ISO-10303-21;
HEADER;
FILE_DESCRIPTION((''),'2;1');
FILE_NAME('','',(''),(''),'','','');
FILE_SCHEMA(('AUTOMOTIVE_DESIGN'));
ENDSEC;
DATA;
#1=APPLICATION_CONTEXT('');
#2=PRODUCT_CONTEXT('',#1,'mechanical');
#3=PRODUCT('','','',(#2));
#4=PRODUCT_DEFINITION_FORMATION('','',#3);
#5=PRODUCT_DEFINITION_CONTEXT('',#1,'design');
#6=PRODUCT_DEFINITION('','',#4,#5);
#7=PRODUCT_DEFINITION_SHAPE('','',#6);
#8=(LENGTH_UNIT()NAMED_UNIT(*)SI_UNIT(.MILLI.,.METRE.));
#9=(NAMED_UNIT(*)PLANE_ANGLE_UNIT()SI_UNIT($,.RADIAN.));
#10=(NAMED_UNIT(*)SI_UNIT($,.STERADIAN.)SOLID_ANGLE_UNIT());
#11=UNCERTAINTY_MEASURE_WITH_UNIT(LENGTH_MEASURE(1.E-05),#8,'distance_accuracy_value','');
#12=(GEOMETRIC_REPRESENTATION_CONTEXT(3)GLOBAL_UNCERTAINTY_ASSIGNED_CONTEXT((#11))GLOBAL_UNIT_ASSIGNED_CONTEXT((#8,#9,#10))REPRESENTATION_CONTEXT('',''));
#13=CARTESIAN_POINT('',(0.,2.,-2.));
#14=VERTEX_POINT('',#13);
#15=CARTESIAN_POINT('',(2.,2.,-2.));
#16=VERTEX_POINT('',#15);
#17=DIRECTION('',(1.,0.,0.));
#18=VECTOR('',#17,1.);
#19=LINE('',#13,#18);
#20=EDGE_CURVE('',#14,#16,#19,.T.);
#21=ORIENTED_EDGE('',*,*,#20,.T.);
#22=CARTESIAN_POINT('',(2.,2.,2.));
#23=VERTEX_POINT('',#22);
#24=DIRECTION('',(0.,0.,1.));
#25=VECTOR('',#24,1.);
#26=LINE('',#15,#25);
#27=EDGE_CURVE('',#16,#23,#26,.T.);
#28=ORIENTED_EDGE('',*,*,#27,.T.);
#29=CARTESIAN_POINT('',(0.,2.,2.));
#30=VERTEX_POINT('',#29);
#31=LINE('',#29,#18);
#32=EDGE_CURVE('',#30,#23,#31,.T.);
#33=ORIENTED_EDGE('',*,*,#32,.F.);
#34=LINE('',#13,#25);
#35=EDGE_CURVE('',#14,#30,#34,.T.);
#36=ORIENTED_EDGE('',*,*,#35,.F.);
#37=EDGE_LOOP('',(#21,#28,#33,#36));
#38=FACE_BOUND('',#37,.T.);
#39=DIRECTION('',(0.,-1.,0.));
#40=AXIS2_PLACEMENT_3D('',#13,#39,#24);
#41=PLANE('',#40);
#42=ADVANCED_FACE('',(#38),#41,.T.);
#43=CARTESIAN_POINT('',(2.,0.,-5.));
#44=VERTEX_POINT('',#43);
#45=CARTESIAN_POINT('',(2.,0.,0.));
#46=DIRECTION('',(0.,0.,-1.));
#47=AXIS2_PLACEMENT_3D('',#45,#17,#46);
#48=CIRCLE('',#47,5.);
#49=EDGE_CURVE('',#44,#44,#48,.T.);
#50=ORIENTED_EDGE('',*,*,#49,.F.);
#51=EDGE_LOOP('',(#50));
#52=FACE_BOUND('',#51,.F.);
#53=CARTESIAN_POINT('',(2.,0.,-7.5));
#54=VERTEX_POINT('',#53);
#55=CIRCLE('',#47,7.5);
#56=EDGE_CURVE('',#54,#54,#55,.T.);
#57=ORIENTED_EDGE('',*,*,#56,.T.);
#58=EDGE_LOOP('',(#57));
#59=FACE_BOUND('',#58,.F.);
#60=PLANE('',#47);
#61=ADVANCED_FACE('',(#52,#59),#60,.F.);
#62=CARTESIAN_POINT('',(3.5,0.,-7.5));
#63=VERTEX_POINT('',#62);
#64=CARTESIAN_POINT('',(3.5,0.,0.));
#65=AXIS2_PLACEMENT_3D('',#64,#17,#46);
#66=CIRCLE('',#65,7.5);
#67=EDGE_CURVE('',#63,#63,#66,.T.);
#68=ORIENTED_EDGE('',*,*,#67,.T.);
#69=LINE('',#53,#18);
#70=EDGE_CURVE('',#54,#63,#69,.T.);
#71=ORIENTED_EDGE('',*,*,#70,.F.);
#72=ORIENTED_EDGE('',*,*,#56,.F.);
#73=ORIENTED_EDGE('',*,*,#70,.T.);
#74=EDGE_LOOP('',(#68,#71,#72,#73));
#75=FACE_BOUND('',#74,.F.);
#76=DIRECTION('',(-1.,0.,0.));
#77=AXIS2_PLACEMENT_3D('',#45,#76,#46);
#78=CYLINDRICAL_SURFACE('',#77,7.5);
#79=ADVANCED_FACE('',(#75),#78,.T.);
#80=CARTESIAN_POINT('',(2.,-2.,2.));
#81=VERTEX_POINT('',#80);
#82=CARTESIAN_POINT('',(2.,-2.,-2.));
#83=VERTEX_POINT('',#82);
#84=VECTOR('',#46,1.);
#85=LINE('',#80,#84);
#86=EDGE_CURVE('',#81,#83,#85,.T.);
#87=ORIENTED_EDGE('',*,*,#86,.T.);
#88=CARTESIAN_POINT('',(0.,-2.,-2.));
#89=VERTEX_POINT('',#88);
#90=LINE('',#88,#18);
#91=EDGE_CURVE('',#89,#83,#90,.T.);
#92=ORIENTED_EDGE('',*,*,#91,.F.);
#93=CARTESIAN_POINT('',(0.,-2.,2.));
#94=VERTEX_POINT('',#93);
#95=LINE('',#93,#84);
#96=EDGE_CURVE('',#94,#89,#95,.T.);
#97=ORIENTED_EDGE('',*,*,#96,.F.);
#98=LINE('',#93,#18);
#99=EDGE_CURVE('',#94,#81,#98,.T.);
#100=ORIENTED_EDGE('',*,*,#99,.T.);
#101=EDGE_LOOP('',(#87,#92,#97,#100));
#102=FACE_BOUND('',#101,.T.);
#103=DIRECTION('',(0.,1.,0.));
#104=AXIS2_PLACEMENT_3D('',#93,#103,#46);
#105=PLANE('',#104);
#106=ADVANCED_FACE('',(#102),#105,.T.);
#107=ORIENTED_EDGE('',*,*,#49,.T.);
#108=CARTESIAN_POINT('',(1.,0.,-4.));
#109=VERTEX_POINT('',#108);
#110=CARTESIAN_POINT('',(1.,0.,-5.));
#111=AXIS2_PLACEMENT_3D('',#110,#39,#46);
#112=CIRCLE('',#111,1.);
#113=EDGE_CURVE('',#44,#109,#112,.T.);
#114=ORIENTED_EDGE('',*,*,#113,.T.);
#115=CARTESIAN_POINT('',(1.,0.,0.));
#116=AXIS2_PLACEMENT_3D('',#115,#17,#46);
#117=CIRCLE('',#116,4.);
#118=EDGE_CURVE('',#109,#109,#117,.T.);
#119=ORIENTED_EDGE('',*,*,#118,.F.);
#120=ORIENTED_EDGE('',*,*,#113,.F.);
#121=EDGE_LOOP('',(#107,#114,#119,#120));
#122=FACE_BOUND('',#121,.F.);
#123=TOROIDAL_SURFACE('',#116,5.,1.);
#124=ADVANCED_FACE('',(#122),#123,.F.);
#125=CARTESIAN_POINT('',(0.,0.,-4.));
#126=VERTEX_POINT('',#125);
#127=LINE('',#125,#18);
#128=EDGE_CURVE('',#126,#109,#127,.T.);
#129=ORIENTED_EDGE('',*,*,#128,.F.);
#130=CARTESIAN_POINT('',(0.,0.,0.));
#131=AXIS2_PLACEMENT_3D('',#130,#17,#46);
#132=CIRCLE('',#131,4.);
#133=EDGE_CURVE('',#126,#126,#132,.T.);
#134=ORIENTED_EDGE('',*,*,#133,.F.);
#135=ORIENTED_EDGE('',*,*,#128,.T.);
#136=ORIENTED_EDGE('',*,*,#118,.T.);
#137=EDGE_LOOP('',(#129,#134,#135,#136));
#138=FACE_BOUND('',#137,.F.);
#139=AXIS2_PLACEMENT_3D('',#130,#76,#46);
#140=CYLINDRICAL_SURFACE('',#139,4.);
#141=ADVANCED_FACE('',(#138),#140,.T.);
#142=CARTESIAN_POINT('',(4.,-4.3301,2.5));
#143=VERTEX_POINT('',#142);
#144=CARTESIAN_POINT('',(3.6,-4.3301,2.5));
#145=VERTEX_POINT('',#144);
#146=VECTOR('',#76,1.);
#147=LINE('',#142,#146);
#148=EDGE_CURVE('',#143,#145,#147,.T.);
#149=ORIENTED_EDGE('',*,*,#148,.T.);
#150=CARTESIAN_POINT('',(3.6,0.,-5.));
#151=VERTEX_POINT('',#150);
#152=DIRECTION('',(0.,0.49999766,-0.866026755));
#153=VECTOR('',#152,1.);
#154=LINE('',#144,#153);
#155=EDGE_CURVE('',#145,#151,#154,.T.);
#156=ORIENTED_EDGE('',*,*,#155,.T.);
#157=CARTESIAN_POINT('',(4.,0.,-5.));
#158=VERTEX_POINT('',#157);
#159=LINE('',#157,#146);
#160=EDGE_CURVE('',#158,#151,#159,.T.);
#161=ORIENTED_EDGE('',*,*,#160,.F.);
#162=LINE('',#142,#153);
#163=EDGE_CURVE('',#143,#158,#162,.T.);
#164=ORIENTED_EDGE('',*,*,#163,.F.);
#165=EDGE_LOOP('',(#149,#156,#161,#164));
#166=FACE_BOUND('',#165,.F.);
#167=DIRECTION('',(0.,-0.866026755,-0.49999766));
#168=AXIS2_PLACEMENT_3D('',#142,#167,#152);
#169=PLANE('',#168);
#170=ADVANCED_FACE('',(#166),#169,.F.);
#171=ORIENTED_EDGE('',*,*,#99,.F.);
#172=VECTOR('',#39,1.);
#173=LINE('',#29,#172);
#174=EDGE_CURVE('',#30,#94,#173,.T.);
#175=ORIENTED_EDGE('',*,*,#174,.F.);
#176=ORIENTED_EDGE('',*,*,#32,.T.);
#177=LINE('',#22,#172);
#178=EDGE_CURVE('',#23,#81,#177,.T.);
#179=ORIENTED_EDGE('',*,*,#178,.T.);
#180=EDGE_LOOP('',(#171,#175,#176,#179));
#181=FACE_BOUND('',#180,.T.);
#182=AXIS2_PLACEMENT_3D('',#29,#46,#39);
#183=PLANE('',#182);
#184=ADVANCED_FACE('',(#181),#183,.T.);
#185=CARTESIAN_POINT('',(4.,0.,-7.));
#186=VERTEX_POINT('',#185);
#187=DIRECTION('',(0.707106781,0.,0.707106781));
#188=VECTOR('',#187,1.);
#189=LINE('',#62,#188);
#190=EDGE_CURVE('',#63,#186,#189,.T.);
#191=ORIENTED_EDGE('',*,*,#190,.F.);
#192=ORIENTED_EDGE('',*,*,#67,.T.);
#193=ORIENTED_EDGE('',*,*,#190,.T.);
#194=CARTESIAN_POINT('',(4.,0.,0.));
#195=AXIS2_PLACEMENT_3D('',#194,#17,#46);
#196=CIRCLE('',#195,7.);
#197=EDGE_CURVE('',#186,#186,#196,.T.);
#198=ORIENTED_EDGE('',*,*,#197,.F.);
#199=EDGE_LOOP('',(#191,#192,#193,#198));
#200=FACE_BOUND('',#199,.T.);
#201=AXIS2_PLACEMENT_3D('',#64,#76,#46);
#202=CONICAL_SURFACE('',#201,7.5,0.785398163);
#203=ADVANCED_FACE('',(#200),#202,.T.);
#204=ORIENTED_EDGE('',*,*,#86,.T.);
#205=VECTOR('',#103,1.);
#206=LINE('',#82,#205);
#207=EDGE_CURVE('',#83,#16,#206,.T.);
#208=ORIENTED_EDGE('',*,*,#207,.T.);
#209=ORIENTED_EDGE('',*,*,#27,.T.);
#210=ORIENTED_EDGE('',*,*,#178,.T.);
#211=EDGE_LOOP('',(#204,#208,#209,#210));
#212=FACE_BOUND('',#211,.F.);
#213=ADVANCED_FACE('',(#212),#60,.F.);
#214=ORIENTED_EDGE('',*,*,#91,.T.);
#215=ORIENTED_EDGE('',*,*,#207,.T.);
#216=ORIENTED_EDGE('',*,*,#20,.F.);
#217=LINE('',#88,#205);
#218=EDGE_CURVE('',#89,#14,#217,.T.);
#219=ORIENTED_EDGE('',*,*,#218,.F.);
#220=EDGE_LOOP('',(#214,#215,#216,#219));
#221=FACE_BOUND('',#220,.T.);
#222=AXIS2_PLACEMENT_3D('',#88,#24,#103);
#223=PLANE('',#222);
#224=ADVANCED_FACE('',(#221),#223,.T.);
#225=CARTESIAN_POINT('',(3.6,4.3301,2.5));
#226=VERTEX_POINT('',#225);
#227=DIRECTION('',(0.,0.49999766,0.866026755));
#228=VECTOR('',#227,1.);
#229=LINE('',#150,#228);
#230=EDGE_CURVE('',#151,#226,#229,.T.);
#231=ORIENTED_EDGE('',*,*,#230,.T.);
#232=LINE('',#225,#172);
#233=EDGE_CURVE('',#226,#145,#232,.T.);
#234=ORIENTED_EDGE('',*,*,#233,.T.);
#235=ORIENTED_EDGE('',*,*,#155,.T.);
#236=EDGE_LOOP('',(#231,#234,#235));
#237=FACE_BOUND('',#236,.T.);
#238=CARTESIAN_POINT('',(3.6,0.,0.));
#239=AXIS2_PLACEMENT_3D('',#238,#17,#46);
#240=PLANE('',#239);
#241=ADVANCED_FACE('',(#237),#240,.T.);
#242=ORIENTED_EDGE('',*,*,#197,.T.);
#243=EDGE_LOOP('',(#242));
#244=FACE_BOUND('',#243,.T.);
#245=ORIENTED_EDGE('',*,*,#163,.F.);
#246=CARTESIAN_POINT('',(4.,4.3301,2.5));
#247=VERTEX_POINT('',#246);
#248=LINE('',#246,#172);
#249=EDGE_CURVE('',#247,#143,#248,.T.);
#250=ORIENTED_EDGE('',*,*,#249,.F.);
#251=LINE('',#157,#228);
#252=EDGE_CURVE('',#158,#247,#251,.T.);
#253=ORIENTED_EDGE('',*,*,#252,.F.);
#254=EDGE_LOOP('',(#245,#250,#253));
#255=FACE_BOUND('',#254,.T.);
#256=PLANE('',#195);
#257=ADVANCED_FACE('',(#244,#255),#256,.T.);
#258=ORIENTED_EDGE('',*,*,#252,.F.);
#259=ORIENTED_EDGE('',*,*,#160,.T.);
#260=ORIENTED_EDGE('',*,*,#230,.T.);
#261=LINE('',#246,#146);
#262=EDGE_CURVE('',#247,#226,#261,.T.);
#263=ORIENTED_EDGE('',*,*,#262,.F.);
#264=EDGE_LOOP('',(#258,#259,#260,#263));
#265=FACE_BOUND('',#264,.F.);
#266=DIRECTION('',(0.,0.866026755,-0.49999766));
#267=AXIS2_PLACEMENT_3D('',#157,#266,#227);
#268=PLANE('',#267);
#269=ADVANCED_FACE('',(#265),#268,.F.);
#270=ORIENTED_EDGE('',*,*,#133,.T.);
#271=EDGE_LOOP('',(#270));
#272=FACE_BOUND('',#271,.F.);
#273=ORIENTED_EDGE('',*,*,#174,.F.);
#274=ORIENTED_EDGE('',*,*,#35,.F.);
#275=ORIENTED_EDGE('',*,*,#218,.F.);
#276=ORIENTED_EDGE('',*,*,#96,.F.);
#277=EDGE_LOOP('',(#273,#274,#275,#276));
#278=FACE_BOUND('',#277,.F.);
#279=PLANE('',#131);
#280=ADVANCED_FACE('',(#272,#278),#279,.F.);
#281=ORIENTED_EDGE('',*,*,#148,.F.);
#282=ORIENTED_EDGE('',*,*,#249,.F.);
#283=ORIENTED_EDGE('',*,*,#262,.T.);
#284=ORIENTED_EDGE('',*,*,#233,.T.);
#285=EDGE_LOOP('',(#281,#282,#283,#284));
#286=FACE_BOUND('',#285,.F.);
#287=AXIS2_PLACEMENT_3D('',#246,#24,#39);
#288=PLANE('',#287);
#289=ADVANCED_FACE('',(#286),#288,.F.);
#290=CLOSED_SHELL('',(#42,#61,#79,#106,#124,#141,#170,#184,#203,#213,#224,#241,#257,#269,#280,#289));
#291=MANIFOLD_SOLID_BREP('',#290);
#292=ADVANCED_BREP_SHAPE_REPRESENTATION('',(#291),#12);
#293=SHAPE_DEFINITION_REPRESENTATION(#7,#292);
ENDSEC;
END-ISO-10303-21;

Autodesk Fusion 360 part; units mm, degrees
sketch "Sketch1" plane through (0, 0, 0) normal (1, 0, 0) x (0, 0, -1)
  circle A0 centre (0, 0) radius 4
  line L0 (2, 2) -> (-2, 2)
  line L1 (-2, 2) -> (-2, -2)
  line L2 (-2, -2) -> (2, -2)
  line L3 (2, -2) -> (2, 2)
  line L4 (2, 2) -> (-2, -2) construction
  line L5 (-2, 2) -> (2, -2) construction
  dimension "d1" = 8
  dimension "d2" = 4
  dimension "d3" = 4
extrude "Extrude1" add sketch "Sketch1" along normal blind 2
sketch "Sketch2" plane through (2, 0, 0) normal (1, 0, 0) x (0, 0, -1)
  line L0 (2, 2) -> (2, -2)
  line L1 (2, -2) -> (-2, -2)
  line L2 (-2, -2) -> (-2, 2)
  line L3 (-2, 2) -> (2, 2)
  circle A0 centre (0, 0) radius 4
  circle A1 centre (0, 0) radius 7.5
  dimension "d6" = 15
extrude "Extrude2" add sketch "Sketch2" along normal blind 2 contours L0 L1 L2 L3 | A0 | A1
fillet "Fillet1" radius 1 1 edges at (2, -1.4465, 3.7293)
chamfer "Chamfer1" distance 0.5 angle 45 1 edges at (4, -2.7121, 6.9925)
sketch "Sketch3" plane through (4, 0, 0) normal (1, 0, 0) x (0, 0, -1)
  circle A0 centre (0, 0) radius 7
  line L0 (-2.5, 4.3301) -> (-2.5, -4.3301)
  line L1 (-2.5, -4.3301) -> (5, 0)
  line L2 (5, 0) -> (-2.5, 4.3301)
  dimension "d12" = 2.5
extrude "Extrude3" cut sketch "Sketch3" against normal blind 0.4 contours L0 L1 L2
